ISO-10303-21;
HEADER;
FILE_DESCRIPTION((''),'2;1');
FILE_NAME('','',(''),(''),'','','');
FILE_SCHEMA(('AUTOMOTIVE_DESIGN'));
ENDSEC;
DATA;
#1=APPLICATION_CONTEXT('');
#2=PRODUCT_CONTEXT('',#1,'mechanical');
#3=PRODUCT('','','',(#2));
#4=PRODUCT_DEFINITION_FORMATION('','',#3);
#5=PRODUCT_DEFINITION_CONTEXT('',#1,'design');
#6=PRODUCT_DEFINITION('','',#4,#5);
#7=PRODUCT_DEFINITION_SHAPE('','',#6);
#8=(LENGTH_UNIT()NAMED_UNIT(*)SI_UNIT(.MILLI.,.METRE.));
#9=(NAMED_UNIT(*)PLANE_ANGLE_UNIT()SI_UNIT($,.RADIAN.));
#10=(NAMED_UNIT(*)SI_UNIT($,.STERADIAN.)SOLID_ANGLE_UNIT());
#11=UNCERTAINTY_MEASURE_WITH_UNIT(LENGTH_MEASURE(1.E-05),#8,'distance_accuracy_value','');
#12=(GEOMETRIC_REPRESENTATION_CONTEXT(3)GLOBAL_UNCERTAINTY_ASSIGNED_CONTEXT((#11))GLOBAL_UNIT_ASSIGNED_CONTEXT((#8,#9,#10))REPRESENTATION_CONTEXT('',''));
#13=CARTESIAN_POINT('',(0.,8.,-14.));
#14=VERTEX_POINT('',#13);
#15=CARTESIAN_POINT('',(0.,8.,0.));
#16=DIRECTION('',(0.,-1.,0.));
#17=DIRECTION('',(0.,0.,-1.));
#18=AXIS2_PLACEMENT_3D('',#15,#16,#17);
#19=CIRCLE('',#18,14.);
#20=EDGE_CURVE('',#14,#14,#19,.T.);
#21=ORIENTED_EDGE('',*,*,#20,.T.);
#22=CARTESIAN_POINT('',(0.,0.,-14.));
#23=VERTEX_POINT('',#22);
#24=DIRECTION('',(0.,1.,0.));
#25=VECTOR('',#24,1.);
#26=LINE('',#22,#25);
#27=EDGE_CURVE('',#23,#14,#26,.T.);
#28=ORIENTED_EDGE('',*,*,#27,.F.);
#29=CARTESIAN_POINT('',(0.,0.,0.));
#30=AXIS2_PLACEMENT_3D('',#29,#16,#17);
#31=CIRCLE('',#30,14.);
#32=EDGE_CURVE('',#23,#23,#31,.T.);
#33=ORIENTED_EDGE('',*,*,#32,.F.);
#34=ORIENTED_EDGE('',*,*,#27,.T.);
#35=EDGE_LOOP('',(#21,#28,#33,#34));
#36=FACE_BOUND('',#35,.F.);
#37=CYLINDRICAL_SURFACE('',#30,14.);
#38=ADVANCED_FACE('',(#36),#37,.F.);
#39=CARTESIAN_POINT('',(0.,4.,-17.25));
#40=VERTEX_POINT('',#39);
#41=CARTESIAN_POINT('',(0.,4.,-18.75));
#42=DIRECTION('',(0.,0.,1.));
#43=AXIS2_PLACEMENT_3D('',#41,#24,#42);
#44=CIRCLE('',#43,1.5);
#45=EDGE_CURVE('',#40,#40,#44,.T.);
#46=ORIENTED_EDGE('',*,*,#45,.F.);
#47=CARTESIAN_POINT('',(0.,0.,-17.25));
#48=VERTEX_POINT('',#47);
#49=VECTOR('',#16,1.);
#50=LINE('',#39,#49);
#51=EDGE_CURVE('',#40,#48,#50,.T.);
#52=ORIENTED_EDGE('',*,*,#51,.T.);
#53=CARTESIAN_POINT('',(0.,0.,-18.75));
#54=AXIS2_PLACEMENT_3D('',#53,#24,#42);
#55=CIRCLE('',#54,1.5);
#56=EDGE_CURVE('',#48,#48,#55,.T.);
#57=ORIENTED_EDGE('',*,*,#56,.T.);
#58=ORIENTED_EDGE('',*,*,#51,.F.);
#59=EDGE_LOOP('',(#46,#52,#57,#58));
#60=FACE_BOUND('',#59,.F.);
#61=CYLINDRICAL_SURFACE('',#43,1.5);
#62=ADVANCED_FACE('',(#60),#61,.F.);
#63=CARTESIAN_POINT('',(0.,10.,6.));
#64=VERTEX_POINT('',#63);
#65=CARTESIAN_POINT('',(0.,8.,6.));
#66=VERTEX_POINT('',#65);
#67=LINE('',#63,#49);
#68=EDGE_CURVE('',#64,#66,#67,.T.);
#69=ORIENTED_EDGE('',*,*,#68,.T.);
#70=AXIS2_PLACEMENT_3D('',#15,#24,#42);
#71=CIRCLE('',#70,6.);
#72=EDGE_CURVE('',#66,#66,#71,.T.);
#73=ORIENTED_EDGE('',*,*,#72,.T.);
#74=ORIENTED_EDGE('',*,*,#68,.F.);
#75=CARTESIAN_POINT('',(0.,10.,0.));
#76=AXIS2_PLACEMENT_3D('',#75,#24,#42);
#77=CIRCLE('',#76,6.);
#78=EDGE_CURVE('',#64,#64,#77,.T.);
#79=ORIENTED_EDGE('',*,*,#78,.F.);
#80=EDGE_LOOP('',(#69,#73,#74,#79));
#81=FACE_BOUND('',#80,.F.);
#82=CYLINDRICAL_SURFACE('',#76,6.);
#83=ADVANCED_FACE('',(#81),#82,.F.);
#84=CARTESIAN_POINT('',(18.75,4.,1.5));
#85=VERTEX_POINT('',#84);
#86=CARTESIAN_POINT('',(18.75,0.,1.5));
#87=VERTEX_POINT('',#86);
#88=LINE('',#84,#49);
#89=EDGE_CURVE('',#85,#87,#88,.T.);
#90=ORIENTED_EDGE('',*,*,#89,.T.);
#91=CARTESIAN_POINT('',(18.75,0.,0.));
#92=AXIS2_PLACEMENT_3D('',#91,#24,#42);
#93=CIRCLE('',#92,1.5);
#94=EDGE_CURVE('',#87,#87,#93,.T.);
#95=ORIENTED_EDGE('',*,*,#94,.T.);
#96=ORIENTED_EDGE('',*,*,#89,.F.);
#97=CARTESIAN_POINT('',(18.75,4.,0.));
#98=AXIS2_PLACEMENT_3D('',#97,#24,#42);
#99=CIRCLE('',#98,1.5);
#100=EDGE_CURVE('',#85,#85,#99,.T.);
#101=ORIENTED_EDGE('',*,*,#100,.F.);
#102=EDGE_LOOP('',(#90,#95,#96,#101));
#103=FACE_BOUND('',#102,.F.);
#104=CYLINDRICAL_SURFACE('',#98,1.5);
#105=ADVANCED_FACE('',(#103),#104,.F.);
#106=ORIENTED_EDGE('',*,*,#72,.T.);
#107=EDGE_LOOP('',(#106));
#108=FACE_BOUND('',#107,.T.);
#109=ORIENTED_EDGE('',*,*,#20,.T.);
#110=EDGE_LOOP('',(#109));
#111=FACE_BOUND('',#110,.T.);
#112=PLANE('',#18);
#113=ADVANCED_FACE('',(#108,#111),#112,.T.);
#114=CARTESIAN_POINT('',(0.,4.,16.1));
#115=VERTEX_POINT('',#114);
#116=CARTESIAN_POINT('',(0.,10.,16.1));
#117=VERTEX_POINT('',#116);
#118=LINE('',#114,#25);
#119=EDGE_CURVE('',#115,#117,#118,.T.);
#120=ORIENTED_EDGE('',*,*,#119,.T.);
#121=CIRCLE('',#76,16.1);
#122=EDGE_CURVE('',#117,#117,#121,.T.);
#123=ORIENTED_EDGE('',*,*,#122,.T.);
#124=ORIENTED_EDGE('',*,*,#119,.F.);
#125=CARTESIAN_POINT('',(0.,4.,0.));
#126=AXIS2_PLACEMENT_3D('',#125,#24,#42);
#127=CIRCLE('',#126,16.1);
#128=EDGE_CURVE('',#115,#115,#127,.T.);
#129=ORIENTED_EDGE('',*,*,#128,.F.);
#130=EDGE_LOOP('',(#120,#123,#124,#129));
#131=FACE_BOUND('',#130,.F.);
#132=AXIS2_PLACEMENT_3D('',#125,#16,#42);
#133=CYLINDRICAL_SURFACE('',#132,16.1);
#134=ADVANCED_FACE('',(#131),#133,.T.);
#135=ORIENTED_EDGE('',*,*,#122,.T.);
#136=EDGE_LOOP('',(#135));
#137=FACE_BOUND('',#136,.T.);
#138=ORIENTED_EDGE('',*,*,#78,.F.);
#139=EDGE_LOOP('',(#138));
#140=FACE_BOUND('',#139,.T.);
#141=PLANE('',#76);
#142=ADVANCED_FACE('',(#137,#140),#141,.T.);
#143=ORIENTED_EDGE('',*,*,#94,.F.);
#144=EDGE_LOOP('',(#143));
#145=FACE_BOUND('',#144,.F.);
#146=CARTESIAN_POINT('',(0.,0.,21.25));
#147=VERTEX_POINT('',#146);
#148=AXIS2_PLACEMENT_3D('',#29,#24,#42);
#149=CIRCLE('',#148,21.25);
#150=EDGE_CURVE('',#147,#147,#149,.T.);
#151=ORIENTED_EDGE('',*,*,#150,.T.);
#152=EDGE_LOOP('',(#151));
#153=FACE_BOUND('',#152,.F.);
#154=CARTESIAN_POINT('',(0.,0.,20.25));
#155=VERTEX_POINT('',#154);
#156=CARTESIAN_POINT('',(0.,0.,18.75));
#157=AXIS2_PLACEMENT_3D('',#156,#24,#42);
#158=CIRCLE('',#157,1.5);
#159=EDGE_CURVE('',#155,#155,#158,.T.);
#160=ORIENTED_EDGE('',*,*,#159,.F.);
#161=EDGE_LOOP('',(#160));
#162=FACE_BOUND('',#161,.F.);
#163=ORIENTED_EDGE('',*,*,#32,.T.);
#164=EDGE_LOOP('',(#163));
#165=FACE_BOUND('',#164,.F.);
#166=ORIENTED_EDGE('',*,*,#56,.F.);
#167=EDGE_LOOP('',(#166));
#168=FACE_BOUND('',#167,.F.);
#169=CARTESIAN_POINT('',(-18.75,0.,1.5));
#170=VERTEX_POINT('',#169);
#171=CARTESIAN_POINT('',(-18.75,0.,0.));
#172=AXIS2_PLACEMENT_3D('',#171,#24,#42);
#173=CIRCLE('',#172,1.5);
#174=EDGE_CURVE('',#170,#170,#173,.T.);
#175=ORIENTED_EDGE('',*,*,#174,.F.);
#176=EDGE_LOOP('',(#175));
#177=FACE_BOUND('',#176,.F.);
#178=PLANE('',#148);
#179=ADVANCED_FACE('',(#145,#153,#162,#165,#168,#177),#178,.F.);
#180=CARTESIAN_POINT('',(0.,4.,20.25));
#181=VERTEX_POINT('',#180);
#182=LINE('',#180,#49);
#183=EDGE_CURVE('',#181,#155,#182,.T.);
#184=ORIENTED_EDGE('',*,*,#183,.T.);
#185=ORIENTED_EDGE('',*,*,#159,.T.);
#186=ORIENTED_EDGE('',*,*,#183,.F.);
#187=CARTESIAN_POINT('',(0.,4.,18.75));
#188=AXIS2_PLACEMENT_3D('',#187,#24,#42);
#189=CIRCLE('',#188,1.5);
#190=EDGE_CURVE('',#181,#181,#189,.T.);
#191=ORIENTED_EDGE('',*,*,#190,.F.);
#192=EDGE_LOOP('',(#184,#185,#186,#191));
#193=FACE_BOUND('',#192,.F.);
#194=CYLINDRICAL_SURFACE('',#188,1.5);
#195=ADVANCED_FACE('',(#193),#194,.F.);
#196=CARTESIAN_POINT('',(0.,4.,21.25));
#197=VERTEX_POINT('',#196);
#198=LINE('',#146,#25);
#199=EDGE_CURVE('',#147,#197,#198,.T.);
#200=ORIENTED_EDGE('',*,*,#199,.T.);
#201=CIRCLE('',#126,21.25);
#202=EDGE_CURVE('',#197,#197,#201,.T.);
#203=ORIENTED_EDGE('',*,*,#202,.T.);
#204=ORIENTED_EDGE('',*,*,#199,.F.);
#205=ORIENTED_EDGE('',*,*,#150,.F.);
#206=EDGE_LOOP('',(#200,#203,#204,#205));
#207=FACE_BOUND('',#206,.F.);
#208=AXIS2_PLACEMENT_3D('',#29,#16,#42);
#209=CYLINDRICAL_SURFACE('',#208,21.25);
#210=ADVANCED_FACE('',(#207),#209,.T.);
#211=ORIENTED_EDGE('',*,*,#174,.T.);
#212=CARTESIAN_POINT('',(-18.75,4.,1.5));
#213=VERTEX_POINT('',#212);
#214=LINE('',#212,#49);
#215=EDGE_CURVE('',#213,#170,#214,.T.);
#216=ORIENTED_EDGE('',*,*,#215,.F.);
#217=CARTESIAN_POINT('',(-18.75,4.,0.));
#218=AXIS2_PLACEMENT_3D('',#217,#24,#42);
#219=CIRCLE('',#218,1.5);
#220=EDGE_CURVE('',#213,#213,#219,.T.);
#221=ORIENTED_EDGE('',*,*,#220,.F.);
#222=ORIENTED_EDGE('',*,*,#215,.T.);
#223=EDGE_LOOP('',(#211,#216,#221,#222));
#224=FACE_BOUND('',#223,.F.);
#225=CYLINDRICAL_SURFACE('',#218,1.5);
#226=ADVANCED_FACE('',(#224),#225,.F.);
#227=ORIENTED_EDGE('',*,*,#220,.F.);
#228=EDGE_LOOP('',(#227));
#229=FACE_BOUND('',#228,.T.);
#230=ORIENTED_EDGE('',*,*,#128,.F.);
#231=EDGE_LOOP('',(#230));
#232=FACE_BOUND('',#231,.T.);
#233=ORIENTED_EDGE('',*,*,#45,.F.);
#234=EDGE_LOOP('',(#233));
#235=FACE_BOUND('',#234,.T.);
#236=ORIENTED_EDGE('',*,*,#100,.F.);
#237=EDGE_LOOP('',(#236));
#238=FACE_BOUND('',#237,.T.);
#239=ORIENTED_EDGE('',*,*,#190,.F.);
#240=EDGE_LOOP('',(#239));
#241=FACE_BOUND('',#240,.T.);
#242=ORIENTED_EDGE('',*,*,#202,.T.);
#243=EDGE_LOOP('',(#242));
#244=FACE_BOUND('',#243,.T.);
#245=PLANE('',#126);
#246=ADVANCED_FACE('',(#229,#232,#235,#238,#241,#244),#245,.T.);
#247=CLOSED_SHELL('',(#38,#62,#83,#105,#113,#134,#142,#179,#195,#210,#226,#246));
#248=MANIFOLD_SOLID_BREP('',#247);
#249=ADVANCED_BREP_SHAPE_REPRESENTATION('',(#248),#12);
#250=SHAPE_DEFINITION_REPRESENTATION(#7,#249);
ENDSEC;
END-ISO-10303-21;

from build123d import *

# Parameters (mm, degrees)
SKETCH_1_R          = 21.25
EXTRUDE_1_DEPTH     = 4
SKETCH_2_R          = 16.1
EXTRUDE_2_DEPTH     = 6
SKETCH_3_R          = 14
CUT_EXTRUDE_3_DEPTH = 8
SKETCH_4_R          = 6
CUT_EXTRUDE_4_DEPTH = 32.672148648
SKETCH_5_R          = 1.5
CUT_EXTRUDE_5_DEPTH = 10


with BuildPart() as part:
    # Эскиз1 → Вытянуть1 (new body)
    with BuildSketch(Plane(origin=(0, 0, 0), x_dir=(1, 0, 0), z_dir=(0, 1, 0))):
        with Locations(Location((0, 0, 0), (0, 0, 270))):
            Circle(SKETCH_1_R)
    extrude(amount=EXTRUDE_1_DEPTH)

    # Эскиз2 → Вытянуть2 (add)
    with BuildSketch(Plane(origin=(0, 4, 0), x_dir=(-1, 0, 0), z_dir=(0, 1, 0))):
        with Locations(Location((0, 0, 0), (0, 0, 90))):
            Circle(SKETCH_2_R)
    extrude(amount=EXTRUDE_2_DEPTH)

    # Эскиз3 → Вытянуть3 (cut)
    with BuildSketch(Plane.XZ):
        with Locations(Location((0, 0, 0), (0, 0, 270))):
            Circle(SKETCH_3_R)
    extrude(amount=-CUT_EXTRUDE_3_DEPTH, mode=Mode.SUBTRACT)

    # Эскиз4 → Вытянуть4 (cut, through all)
    with BuildSketch(Plane(origin=(0, 10, 0), x_dir=(1, 0, 0), z_dir=(0, 1, 0))):
        with Locations(Location((0, 0, 0), (0, 0, 270))):
            Circle(SKETCH_4_R)
    extrude(amount=-CUT_EXTRUDE_4_DEPTH, mode=Mode.SUBTRACT)

    # Эскиз5 → Вытянуть5 (cut)
    with BuildSketch(Plane(origin=(0, 4, 0), x_dir=(1, 0, 0), z_dir=(0, 1, 0))):
        with Locations(Location((0, 18.75, 0), (0, 0, 270))):
            Circle(SKETCH_5_R)
        with Locations(Location((18.75, 0, 0), (0, 0, 270))):
            Circle(SKETCH_5_R)
        with Locations(Location((0, -18.75, 0), (0, 0, 270))):
            Circle(SKETCH_5_R)
        with Locations(Location((-18.75, 0, 0), (0, 0, 270))):
            Circle(SKETCH_5_R)
    extrude(amount=-CUT_EXTRUDE_5_DEPTH, mode=Mode.SUBTRACT)


solid = part.part
